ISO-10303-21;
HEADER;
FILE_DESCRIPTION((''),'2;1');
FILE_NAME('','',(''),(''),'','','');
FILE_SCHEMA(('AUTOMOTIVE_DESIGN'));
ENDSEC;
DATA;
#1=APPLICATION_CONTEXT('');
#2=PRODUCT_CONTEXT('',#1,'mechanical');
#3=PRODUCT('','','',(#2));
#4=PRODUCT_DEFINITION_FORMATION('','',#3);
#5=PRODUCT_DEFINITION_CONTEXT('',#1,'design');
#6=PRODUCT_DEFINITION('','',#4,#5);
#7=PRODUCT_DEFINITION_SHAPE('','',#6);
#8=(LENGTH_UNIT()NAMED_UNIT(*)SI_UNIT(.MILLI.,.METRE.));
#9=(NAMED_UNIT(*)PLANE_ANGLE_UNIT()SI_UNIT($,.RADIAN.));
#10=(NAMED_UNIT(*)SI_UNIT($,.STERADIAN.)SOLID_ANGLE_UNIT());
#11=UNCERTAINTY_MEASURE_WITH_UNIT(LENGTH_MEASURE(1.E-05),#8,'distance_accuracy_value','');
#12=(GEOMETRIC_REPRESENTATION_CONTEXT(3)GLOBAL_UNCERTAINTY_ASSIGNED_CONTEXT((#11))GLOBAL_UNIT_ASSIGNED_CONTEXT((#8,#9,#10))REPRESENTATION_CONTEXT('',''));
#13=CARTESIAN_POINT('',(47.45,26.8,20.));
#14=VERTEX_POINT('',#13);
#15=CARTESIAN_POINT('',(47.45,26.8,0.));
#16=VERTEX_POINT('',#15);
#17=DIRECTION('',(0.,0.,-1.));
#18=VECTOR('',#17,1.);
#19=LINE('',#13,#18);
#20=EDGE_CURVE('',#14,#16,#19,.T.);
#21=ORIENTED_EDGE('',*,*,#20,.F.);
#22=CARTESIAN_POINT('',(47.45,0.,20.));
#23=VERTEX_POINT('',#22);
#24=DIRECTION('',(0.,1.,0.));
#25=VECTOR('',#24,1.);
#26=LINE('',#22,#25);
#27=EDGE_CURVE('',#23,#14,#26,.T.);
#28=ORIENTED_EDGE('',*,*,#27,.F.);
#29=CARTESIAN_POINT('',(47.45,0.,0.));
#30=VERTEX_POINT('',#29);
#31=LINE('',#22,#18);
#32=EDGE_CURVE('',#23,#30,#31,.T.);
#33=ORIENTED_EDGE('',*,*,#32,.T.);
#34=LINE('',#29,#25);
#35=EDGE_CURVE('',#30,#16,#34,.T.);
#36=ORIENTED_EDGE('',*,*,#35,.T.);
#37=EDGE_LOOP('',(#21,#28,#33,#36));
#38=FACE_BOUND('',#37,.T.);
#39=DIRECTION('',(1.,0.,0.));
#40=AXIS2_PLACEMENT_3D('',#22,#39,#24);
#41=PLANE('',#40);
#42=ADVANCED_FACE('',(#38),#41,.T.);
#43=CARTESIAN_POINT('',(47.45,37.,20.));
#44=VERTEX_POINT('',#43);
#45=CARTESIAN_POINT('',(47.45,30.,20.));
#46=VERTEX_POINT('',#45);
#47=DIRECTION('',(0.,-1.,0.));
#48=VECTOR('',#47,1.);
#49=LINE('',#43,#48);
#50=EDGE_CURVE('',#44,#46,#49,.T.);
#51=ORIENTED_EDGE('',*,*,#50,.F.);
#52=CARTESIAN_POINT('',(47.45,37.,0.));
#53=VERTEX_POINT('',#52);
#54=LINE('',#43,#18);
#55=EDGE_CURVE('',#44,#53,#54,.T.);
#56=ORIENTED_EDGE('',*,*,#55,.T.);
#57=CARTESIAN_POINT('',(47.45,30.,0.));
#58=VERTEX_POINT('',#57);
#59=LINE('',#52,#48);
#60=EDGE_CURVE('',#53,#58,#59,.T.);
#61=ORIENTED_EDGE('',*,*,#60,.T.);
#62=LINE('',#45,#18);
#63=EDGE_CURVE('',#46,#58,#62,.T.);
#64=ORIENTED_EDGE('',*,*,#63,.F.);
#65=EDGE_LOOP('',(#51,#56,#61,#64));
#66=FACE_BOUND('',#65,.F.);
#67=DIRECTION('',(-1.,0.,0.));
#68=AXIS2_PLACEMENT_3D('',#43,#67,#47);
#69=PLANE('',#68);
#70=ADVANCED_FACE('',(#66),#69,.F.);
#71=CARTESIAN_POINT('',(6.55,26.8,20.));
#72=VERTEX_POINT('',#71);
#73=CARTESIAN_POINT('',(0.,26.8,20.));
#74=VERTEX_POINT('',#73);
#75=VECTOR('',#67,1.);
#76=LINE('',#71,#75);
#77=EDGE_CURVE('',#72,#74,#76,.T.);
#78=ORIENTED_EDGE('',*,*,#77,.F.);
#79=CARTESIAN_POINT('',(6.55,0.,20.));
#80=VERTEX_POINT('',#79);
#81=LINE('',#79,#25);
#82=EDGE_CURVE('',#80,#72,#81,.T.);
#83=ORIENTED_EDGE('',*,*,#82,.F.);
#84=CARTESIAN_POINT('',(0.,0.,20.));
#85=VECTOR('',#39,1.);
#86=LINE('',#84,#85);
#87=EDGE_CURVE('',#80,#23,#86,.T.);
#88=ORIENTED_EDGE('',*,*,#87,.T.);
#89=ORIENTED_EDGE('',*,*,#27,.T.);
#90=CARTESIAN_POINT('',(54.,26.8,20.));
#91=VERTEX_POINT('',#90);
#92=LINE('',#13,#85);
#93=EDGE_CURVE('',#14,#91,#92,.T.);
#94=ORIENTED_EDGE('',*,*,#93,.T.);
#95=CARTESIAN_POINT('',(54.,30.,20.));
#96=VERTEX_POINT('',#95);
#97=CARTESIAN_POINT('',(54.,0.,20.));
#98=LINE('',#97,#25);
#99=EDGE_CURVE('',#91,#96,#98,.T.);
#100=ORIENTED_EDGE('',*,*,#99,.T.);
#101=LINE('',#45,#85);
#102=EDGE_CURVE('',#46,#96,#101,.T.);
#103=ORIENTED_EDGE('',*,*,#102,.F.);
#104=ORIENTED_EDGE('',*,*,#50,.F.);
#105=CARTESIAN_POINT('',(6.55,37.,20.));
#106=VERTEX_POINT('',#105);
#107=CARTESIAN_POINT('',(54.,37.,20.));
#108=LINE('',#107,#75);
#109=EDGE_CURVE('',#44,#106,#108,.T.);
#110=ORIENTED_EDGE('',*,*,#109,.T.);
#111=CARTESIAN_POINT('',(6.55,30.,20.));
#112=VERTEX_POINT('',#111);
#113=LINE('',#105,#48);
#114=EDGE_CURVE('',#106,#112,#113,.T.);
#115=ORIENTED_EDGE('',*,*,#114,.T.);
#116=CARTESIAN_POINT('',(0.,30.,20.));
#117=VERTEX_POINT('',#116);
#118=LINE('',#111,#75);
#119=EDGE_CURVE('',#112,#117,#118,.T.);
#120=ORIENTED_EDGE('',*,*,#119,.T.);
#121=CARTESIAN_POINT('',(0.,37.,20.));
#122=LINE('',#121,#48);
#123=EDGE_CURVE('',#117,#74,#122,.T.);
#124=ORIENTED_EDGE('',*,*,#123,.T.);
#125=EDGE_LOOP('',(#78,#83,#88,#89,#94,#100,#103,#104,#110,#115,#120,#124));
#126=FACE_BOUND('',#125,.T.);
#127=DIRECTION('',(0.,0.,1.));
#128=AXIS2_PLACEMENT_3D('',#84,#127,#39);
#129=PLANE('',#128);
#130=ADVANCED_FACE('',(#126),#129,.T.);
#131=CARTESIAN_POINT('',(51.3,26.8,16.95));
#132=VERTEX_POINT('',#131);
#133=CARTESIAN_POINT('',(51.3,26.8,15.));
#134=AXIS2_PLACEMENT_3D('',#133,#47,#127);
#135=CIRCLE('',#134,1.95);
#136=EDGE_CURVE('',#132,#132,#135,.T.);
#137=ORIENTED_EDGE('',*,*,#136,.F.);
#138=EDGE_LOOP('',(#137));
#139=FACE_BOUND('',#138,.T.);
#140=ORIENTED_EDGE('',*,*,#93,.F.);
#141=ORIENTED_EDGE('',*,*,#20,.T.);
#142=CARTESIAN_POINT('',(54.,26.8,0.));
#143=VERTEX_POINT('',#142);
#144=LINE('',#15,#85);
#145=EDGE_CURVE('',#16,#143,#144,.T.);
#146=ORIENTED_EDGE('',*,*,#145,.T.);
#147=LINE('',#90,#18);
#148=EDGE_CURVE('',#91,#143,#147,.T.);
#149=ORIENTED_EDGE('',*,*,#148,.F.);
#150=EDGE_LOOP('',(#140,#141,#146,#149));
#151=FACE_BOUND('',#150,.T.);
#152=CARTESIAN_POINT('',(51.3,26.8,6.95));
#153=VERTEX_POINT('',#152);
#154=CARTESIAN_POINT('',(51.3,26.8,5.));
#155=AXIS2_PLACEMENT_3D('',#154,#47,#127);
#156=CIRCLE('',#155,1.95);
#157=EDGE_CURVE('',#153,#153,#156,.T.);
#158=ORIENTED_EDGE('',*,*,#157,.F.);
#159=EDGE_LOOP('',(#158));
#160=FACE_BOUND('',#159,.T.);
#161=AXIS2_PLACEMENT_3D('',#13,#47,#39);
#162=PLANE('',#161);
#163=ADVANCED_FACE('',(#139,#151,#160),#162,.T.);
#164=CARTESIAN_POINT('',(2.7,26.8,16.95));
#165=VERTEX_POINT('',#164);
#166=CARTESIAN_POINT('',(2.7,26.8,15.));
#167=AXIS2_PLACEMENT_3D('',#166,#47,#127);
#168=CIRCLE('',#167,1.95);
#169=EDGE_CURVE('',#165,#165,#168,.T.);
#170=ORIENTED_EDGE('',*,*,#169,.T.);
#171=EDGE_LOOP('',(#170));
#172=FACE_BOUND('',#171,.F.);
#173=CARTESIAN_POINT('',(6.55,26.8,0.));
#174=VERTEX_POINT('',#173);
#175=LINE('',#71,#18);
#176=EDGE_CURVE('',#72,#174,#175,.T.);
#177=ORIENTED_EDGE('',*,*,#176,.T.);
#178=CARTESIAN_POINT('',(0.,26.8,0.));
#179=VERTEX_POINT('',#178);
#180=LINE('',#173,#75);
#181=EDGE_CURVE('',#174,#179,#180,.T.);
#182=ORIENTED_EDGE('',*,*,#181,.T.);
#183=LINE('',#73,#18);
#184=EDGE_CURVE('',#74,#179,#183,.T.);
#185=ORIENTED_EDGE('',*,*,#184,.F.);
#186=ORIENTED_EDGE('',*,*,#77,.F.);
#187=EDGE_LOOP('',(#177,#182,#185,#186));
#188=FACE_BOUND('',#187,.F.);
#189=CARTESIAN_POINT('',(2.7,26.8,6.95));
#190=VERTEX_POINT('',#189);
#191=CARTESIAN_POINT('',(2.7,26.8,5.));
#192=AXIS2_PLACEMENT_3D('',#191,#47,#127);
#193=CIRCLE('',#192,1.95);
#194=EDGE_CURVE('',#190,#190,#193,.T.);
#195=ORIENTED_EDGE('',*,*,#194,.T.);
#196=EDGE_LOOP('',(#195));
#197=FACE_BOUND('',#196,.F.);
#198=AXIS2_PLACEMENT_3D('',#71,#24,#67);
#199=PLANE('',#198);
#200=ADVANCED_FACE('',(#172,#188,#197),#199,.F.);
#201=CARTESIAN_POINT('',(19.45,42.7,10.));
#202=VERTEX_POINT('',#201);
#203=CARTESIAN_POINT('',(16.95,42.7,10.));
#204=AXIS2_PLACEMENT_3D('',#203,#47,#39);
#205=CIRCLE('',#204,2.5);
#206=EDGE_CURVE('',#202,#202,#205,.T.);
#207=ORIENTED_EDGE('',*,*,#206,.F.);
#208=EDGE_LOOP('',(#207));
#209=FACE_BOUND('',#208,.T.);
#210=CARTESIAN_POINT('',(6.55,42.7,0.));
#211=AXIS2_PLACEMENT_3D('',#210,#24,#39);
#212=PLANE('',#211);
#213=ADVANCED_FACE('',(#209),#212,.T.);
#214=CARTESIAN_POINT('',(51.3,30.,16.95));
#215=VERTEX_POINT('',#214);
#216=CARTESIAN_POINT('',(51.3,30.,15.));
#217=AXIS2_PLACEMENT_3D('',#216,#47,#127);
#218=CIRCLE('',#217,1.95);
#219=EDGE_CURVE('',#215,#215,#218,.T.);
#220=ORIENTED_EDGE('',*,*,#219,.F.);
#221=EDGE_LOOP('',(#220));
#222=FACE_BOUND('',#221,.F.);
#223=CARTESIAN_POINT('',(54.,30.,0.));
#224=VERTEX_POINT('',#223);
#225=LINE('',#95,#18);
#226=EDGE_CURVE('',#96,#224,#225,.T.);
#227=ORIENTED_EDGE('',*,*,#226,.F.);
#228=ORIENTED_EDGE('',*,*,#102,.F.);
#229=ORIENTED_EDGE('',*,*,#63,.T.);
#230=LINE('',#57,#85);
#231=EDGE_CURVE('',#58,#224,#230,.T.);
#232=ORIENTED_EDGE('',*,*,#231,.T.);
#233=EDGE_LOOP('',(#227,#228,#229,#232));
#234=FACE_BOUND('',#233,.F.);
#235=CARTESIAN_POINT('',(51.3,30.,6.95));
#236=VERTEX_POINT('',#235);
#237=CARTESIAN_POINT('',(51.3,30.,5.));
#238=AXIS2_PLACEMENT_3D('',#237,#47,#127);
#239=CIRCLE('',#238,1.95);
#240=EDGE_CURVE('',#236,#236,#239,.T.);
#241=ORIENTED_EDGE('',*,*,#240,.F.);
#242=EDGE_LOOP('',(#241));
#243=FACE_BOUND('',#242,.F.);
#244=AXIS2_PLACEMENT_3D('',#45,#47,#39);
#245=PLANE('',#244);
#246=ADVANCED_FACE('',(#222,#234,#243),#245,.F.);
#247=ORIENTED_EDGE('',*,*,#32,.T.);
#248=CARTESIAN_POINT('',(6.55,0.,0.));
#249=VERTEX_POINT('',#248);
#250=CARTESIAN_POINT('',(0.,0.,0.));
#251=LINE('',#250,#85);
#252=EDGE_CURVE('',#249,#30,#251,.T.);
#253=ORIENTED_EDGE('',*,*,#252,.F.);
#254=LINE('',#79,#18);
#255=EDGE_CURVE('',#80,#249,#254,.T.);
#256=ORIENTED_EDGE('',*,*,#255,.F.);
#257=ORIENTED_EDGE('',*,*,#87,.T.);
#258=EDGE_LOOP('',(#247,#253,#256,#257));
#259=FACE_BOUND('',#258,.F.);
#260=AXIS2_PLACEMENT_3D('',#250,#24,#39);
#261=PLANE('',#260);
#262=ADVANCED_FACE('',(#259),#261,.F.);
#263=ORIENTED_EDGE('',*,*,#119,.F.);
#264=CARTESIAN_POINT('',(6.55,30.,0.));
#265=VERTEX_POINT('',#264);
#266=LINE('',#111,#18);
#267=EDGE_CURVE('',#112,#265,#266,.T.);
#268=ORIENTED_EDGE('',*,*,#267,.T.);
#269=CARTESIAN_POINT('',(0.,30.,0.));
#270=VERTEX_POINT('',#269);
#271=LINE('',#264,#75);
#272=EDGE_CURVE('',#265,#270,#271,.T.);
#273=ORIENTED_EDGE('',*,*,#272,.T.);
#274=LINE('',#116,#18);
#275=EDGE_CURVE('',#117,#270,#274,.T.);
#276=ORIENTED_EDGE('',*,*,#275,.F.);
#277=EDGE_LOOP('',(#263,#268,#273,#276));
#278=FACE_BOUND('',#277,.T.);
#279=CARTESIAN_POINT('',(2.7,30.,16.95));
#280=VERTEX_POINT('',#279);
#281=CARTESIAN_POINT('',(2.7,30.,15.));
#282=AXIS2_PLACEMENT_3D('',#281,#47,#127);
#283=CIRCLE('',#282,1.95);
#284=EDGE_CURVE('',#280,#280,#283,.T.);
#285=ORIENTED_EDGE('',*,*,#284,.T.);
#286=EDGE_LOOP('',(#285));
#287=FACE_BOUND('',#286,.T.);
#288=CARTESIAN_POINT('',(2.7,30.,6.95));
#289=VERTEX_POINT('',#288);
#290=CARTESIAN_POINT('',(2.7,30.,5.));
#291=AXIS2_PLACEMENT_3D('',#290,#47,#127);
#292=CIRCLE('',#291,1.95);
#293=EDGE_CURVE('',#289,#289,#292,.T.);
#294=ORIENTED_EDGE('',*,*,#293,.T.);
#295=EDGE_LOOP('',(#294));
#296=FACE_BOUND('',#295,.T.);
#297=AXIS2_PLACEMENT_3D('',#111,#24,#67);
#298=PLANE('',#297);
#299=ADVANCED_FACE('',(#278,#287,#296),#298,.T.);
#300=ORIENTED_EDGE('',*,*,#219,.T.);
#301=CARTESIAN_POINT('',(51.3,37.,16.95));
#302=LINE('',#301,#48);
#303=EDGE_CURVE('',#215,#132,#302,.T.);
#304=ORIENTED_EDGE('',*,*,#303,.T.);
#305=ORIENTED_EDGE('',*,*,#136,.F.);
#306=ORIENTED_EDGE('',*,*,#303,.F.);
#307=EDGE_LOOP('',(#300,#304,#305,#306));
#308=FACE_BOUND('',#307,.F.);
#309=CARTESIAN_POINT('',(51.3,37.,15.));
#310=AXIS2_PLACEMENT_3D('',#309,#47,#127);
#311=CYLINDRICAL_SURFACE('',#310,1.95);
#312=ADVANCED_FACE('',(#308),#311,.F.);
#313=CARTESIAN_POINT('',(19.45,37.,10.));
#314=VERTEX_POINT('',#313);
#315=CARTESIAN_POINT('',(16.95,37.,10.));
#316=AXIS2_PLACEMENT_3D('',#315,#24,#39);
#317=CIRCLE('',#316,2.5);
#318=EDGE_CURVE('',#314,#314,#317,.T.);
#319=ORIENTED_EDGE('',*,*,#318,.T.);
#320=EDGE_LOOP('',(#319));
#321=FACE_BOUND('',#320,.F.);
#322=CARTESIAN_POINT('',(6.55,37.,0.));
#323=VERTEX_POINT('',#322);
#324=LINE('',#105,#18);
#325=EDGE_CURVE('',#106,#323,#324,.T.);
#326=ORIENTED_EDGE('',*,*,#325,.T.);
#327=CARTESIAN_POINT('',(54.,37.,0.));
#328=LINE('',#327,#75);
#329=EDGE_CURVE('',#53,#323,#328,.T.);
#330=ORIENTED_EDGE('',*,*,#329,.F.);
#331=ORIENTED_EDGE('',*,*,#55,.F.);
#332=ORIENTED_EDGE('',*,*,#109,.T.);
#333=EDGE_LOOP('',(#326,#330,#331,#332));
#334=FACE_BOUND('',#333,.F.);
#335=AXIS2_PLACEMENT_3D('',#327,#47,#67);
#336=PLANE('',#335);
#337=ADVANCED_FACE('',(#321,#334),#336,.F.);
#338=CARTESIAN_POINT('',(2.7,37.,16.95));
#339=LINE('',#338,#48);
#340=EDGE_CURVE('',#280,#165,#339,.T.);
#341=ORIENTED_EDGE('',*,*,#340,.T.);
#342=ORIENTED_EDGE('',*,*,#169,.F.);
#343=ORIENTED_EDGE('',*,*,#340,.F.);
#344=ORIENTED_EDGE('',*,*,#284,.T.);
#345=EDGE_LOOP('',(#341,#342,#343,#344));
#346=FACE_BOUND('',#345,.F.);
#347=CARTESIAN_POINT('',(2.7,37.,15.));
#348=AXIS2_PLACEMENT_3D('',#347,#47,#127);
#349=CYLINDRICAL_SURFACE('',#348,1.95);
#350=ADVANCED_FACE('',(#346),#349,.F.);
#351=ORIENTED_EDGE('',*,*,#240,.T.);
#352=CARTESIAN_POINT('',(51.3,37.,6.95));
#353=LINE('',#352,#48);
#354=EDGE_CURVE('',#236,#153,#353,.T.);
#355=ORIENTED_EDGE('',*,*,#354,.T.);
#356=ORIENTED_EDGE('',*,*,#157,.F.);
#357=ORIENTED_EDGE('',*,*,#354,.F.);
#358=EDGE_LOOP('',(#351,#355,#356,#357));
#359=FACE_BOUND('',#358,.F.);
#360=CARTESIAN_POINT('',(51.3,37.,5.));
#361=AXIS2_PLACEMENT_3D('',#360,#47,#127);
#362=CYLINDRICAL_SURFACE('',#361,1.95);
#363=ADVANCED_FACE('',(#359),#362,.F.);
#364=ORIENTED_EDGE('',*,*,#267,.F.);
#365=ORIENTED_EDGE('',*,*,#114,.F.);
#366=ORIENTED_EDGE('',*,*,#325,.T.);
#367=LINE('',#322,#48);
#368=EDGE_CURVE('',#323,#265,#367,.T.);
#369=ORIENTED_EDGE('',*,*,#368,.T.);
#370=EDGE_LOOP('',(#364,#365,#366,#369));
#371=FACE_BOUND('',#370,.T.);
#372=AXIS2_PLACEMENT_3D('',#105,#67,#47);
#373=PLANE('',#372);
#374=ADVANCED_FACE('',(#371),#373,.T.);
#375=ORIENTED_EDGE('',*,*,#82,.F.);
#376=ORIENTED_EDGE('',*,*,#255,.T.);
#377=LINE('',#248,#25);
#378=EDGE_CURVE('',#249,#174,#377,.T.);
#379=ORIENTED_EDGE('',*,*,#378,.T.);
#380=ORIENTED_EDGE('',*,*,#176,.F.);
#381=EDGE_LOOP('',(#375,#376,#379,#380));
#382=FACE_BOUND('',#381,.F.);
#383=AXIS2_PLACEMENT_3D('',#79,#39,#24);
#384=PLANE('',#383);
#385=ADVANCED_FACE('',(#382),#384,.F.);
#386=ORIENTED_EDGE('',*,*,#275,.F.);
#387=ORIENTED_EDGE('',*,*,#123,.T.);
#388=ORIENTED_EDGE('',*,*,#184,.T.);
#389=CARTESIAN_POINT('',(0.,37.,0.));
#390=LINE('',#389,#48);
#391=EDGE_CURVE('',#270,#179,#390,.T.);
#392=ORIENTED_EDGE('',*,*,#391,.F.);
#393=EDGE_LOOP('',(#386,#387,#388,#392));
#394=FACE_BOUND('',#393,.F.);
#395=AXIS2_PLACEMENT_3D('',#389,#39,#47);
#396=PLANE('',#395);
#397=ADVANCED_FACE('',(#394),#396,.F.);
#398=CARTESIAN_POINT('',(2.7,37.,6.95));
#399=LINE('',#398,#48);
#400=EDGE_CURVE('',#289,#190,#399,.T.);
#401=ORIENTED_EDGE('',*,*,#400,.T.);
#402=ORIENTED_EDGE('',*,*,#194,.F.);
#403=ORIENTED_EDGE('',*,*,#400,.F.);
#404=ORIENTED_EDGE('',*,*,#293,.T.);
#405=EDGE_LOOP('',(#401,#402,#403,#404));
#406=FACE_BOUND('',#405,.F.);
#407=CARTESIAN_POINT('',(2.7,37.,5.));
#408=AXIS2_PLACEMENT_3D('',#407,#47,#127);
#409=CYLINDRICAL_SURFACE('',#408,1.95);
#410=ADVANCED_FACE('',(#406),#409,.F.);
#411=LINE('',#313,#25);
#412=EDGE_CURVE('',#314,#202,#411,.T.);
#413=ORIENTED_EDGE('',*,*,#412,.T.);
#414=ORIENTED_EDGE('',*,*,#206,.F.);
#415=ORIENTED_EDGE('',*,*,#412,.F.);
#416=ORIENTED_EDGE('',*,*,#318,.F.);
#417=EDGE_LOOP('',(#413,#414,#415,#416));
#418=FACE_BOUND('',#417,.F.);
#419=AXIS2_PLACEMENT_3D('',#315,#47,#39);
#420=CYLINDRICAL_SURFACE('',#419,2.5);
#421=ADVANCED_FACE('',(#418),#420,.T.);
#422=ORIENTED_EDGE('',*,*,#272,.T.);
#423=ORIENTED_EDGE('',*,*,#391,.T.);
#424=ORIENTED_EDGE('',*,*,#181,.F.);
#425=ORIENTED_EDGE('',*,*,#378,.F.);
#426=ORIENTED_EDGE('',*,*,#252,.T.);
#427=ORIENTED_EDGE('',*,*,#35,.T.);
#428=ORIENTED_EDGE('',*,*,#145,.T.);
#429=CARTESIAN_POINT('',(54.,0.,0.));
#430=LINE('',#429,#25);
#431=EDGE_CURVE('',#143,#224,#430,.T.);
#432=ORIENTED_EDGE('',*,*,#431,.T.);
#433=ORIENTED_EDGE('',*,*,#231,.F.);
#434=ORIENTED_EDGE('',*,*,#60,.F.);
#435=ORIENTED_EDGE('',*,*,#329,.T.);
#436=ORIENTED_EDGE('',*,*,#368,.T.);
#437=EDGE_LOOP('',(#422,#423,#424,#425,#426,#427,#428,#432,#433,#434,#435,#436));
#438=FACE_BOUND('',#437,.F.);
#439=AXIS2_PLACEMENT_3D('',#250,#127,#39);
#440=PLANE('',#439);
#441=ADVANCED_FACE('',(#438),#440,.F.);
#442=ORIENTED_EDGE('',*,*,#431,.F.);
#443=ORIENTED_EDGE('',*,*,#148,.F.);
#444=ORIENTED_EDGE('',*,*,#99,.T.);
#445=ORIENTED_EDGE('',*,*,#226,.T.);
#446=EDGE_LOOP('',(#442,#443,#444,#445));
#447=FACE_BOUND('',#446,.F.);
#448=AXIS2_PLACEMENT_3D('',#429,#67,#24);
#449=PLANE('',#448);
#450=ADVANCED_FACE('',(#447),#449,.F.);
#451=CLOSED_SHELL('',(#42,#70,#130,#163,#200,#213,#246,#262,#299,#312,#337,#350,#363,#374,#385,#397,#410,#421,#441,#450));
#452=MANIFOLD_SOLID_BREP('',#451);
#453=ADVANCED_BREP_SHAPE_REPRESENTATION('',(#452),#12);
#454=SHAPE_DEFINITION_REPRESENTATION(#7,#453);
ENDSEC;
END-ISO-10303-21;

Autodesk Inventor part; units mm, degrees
ref_plane "YZ Plane" through (0, 0, 0) normal (1, 0, 0) x (0, 1, 0)
ref_plane "XZ Plane" through (0, 0, 0) normal (0, 1, 0) x (-1, 0, 0)
ref_plane "XY Plane" through (0, 0, 0) normal (0, 0, 1) x (1, 0, 0)
sketch "スケッチ12" plane through (0, 0, 0) normal (0, 0, 1) x (1, 0, 0)
  line L0 (0, 0) -> (54, 0)
  line L1 (54, 0) -> (54, 37)
  line L2 (54, 37) -> (0, 37)
  line L3 (0, 37) -> (0, 0)
  dimension "d76" = 54
  dimension "d77" = 37
extrude "押し出し7" add sketch "スケッチ12" along normal blind 20
sketch "スケッチ14" plane through (0, 37, 0) normal (0, 1, 0) x (1, 0, 0)
  line L0 (54, 0) -> (54, -20) projected
  line L1 (54, 0) -> (0, 0) projected
  line L2 (0, 0) -> (0, -20) projected
  point P0 (2.7, -5)
  point P1 (2.7, -15)
  point P2 (51.3, -5)
  point P3 (51.3, -15)
  dimension "d80" = 48.6
  dimension "d81" = 10
  dimension "d82" = 10
  dimension "d83" = 2.7
  dimension "d84" = 5
  dimension "d85" = 5
  dimension "d86" = 2.7
  dimension "d87" = 2.7
hole "穴3" at (2.7, 37, 5) at (2.7, 37, 15) at (51.3, 37, 5) at (51.3, 37, 15) direction (0, -1, 0) diameter 3.9 end through all
sketch "スケッチ15" plane through (0, 0, 20) normal (0, 0, 1) x (1, 0, 0)
  line L0 (0, 0) -> (6.55, 0)
  line L1 (6.55, 0) -> (6.55, 26.8)
  line L2 (6.55, 26.8) -> (0, 26.8)
  line L3 (0, 26.8) -> (0, 0)
  line L4 (54, 0) -> (54, 37) projected
  line L5 (54, 0) -> (47.45, 0)
  line L6 (47.45, 0) -> (47.45, 26.8)
  line L7 (47.45, 26.8) -> (54, 26.8)
  line L8 (54, 26.8) -> (54, 0)
  line L9 (54, 37) -> (0, 37) projected
  line L10 (0, 37) -> (6.55, 37)
  line L11 (6.55, 37) -> (6.55, 30)
  line L12 (6.55, 30) -> (0, 30)
  line L13 (0, 30) -> (0, 37)
  line L14 (54, 37) -> (47.45, 37)
  line L15 (47.45, 37) -> (47.45, 30)
  line L16 (47.45, 30) -> (54, 30)
  line L17 (54, 30) -> (54, 37)
  dimension "d100" = 26.8
  dimension "d101" = 6.55
  dimension "d102" = 40.9
  dimension "d103" = 7
extrude "押し出し8" cut sketch "スケッチ15" against normal blind 20
sketch "スケッチ16" plane through (6.55, 37, 0) normal (0, 1, 0) x (1, 0, 0)
  line L0 (47.45, -20) -> (47.45, 0) projected
  line L1 (47.45, -10) -> (-12.7368, -10)
  line L2 (-6.55, -20) -> (-6.55, 0) projected
  circle A0 centre (10.4, -10) radius 2.5
  circle A1 centre (44.75, -15) radius 1.95 projected
  dimension "d106" = 5
  dimension "d107" = 34.35
extrude "押し出し9" add sketch "スケッチ16" along normal blind 5.7 contours A0 L1 | L1 A0
equation "\"d85\" = d84"
equation "\"d86\" = d83"
properties part number "servo"
